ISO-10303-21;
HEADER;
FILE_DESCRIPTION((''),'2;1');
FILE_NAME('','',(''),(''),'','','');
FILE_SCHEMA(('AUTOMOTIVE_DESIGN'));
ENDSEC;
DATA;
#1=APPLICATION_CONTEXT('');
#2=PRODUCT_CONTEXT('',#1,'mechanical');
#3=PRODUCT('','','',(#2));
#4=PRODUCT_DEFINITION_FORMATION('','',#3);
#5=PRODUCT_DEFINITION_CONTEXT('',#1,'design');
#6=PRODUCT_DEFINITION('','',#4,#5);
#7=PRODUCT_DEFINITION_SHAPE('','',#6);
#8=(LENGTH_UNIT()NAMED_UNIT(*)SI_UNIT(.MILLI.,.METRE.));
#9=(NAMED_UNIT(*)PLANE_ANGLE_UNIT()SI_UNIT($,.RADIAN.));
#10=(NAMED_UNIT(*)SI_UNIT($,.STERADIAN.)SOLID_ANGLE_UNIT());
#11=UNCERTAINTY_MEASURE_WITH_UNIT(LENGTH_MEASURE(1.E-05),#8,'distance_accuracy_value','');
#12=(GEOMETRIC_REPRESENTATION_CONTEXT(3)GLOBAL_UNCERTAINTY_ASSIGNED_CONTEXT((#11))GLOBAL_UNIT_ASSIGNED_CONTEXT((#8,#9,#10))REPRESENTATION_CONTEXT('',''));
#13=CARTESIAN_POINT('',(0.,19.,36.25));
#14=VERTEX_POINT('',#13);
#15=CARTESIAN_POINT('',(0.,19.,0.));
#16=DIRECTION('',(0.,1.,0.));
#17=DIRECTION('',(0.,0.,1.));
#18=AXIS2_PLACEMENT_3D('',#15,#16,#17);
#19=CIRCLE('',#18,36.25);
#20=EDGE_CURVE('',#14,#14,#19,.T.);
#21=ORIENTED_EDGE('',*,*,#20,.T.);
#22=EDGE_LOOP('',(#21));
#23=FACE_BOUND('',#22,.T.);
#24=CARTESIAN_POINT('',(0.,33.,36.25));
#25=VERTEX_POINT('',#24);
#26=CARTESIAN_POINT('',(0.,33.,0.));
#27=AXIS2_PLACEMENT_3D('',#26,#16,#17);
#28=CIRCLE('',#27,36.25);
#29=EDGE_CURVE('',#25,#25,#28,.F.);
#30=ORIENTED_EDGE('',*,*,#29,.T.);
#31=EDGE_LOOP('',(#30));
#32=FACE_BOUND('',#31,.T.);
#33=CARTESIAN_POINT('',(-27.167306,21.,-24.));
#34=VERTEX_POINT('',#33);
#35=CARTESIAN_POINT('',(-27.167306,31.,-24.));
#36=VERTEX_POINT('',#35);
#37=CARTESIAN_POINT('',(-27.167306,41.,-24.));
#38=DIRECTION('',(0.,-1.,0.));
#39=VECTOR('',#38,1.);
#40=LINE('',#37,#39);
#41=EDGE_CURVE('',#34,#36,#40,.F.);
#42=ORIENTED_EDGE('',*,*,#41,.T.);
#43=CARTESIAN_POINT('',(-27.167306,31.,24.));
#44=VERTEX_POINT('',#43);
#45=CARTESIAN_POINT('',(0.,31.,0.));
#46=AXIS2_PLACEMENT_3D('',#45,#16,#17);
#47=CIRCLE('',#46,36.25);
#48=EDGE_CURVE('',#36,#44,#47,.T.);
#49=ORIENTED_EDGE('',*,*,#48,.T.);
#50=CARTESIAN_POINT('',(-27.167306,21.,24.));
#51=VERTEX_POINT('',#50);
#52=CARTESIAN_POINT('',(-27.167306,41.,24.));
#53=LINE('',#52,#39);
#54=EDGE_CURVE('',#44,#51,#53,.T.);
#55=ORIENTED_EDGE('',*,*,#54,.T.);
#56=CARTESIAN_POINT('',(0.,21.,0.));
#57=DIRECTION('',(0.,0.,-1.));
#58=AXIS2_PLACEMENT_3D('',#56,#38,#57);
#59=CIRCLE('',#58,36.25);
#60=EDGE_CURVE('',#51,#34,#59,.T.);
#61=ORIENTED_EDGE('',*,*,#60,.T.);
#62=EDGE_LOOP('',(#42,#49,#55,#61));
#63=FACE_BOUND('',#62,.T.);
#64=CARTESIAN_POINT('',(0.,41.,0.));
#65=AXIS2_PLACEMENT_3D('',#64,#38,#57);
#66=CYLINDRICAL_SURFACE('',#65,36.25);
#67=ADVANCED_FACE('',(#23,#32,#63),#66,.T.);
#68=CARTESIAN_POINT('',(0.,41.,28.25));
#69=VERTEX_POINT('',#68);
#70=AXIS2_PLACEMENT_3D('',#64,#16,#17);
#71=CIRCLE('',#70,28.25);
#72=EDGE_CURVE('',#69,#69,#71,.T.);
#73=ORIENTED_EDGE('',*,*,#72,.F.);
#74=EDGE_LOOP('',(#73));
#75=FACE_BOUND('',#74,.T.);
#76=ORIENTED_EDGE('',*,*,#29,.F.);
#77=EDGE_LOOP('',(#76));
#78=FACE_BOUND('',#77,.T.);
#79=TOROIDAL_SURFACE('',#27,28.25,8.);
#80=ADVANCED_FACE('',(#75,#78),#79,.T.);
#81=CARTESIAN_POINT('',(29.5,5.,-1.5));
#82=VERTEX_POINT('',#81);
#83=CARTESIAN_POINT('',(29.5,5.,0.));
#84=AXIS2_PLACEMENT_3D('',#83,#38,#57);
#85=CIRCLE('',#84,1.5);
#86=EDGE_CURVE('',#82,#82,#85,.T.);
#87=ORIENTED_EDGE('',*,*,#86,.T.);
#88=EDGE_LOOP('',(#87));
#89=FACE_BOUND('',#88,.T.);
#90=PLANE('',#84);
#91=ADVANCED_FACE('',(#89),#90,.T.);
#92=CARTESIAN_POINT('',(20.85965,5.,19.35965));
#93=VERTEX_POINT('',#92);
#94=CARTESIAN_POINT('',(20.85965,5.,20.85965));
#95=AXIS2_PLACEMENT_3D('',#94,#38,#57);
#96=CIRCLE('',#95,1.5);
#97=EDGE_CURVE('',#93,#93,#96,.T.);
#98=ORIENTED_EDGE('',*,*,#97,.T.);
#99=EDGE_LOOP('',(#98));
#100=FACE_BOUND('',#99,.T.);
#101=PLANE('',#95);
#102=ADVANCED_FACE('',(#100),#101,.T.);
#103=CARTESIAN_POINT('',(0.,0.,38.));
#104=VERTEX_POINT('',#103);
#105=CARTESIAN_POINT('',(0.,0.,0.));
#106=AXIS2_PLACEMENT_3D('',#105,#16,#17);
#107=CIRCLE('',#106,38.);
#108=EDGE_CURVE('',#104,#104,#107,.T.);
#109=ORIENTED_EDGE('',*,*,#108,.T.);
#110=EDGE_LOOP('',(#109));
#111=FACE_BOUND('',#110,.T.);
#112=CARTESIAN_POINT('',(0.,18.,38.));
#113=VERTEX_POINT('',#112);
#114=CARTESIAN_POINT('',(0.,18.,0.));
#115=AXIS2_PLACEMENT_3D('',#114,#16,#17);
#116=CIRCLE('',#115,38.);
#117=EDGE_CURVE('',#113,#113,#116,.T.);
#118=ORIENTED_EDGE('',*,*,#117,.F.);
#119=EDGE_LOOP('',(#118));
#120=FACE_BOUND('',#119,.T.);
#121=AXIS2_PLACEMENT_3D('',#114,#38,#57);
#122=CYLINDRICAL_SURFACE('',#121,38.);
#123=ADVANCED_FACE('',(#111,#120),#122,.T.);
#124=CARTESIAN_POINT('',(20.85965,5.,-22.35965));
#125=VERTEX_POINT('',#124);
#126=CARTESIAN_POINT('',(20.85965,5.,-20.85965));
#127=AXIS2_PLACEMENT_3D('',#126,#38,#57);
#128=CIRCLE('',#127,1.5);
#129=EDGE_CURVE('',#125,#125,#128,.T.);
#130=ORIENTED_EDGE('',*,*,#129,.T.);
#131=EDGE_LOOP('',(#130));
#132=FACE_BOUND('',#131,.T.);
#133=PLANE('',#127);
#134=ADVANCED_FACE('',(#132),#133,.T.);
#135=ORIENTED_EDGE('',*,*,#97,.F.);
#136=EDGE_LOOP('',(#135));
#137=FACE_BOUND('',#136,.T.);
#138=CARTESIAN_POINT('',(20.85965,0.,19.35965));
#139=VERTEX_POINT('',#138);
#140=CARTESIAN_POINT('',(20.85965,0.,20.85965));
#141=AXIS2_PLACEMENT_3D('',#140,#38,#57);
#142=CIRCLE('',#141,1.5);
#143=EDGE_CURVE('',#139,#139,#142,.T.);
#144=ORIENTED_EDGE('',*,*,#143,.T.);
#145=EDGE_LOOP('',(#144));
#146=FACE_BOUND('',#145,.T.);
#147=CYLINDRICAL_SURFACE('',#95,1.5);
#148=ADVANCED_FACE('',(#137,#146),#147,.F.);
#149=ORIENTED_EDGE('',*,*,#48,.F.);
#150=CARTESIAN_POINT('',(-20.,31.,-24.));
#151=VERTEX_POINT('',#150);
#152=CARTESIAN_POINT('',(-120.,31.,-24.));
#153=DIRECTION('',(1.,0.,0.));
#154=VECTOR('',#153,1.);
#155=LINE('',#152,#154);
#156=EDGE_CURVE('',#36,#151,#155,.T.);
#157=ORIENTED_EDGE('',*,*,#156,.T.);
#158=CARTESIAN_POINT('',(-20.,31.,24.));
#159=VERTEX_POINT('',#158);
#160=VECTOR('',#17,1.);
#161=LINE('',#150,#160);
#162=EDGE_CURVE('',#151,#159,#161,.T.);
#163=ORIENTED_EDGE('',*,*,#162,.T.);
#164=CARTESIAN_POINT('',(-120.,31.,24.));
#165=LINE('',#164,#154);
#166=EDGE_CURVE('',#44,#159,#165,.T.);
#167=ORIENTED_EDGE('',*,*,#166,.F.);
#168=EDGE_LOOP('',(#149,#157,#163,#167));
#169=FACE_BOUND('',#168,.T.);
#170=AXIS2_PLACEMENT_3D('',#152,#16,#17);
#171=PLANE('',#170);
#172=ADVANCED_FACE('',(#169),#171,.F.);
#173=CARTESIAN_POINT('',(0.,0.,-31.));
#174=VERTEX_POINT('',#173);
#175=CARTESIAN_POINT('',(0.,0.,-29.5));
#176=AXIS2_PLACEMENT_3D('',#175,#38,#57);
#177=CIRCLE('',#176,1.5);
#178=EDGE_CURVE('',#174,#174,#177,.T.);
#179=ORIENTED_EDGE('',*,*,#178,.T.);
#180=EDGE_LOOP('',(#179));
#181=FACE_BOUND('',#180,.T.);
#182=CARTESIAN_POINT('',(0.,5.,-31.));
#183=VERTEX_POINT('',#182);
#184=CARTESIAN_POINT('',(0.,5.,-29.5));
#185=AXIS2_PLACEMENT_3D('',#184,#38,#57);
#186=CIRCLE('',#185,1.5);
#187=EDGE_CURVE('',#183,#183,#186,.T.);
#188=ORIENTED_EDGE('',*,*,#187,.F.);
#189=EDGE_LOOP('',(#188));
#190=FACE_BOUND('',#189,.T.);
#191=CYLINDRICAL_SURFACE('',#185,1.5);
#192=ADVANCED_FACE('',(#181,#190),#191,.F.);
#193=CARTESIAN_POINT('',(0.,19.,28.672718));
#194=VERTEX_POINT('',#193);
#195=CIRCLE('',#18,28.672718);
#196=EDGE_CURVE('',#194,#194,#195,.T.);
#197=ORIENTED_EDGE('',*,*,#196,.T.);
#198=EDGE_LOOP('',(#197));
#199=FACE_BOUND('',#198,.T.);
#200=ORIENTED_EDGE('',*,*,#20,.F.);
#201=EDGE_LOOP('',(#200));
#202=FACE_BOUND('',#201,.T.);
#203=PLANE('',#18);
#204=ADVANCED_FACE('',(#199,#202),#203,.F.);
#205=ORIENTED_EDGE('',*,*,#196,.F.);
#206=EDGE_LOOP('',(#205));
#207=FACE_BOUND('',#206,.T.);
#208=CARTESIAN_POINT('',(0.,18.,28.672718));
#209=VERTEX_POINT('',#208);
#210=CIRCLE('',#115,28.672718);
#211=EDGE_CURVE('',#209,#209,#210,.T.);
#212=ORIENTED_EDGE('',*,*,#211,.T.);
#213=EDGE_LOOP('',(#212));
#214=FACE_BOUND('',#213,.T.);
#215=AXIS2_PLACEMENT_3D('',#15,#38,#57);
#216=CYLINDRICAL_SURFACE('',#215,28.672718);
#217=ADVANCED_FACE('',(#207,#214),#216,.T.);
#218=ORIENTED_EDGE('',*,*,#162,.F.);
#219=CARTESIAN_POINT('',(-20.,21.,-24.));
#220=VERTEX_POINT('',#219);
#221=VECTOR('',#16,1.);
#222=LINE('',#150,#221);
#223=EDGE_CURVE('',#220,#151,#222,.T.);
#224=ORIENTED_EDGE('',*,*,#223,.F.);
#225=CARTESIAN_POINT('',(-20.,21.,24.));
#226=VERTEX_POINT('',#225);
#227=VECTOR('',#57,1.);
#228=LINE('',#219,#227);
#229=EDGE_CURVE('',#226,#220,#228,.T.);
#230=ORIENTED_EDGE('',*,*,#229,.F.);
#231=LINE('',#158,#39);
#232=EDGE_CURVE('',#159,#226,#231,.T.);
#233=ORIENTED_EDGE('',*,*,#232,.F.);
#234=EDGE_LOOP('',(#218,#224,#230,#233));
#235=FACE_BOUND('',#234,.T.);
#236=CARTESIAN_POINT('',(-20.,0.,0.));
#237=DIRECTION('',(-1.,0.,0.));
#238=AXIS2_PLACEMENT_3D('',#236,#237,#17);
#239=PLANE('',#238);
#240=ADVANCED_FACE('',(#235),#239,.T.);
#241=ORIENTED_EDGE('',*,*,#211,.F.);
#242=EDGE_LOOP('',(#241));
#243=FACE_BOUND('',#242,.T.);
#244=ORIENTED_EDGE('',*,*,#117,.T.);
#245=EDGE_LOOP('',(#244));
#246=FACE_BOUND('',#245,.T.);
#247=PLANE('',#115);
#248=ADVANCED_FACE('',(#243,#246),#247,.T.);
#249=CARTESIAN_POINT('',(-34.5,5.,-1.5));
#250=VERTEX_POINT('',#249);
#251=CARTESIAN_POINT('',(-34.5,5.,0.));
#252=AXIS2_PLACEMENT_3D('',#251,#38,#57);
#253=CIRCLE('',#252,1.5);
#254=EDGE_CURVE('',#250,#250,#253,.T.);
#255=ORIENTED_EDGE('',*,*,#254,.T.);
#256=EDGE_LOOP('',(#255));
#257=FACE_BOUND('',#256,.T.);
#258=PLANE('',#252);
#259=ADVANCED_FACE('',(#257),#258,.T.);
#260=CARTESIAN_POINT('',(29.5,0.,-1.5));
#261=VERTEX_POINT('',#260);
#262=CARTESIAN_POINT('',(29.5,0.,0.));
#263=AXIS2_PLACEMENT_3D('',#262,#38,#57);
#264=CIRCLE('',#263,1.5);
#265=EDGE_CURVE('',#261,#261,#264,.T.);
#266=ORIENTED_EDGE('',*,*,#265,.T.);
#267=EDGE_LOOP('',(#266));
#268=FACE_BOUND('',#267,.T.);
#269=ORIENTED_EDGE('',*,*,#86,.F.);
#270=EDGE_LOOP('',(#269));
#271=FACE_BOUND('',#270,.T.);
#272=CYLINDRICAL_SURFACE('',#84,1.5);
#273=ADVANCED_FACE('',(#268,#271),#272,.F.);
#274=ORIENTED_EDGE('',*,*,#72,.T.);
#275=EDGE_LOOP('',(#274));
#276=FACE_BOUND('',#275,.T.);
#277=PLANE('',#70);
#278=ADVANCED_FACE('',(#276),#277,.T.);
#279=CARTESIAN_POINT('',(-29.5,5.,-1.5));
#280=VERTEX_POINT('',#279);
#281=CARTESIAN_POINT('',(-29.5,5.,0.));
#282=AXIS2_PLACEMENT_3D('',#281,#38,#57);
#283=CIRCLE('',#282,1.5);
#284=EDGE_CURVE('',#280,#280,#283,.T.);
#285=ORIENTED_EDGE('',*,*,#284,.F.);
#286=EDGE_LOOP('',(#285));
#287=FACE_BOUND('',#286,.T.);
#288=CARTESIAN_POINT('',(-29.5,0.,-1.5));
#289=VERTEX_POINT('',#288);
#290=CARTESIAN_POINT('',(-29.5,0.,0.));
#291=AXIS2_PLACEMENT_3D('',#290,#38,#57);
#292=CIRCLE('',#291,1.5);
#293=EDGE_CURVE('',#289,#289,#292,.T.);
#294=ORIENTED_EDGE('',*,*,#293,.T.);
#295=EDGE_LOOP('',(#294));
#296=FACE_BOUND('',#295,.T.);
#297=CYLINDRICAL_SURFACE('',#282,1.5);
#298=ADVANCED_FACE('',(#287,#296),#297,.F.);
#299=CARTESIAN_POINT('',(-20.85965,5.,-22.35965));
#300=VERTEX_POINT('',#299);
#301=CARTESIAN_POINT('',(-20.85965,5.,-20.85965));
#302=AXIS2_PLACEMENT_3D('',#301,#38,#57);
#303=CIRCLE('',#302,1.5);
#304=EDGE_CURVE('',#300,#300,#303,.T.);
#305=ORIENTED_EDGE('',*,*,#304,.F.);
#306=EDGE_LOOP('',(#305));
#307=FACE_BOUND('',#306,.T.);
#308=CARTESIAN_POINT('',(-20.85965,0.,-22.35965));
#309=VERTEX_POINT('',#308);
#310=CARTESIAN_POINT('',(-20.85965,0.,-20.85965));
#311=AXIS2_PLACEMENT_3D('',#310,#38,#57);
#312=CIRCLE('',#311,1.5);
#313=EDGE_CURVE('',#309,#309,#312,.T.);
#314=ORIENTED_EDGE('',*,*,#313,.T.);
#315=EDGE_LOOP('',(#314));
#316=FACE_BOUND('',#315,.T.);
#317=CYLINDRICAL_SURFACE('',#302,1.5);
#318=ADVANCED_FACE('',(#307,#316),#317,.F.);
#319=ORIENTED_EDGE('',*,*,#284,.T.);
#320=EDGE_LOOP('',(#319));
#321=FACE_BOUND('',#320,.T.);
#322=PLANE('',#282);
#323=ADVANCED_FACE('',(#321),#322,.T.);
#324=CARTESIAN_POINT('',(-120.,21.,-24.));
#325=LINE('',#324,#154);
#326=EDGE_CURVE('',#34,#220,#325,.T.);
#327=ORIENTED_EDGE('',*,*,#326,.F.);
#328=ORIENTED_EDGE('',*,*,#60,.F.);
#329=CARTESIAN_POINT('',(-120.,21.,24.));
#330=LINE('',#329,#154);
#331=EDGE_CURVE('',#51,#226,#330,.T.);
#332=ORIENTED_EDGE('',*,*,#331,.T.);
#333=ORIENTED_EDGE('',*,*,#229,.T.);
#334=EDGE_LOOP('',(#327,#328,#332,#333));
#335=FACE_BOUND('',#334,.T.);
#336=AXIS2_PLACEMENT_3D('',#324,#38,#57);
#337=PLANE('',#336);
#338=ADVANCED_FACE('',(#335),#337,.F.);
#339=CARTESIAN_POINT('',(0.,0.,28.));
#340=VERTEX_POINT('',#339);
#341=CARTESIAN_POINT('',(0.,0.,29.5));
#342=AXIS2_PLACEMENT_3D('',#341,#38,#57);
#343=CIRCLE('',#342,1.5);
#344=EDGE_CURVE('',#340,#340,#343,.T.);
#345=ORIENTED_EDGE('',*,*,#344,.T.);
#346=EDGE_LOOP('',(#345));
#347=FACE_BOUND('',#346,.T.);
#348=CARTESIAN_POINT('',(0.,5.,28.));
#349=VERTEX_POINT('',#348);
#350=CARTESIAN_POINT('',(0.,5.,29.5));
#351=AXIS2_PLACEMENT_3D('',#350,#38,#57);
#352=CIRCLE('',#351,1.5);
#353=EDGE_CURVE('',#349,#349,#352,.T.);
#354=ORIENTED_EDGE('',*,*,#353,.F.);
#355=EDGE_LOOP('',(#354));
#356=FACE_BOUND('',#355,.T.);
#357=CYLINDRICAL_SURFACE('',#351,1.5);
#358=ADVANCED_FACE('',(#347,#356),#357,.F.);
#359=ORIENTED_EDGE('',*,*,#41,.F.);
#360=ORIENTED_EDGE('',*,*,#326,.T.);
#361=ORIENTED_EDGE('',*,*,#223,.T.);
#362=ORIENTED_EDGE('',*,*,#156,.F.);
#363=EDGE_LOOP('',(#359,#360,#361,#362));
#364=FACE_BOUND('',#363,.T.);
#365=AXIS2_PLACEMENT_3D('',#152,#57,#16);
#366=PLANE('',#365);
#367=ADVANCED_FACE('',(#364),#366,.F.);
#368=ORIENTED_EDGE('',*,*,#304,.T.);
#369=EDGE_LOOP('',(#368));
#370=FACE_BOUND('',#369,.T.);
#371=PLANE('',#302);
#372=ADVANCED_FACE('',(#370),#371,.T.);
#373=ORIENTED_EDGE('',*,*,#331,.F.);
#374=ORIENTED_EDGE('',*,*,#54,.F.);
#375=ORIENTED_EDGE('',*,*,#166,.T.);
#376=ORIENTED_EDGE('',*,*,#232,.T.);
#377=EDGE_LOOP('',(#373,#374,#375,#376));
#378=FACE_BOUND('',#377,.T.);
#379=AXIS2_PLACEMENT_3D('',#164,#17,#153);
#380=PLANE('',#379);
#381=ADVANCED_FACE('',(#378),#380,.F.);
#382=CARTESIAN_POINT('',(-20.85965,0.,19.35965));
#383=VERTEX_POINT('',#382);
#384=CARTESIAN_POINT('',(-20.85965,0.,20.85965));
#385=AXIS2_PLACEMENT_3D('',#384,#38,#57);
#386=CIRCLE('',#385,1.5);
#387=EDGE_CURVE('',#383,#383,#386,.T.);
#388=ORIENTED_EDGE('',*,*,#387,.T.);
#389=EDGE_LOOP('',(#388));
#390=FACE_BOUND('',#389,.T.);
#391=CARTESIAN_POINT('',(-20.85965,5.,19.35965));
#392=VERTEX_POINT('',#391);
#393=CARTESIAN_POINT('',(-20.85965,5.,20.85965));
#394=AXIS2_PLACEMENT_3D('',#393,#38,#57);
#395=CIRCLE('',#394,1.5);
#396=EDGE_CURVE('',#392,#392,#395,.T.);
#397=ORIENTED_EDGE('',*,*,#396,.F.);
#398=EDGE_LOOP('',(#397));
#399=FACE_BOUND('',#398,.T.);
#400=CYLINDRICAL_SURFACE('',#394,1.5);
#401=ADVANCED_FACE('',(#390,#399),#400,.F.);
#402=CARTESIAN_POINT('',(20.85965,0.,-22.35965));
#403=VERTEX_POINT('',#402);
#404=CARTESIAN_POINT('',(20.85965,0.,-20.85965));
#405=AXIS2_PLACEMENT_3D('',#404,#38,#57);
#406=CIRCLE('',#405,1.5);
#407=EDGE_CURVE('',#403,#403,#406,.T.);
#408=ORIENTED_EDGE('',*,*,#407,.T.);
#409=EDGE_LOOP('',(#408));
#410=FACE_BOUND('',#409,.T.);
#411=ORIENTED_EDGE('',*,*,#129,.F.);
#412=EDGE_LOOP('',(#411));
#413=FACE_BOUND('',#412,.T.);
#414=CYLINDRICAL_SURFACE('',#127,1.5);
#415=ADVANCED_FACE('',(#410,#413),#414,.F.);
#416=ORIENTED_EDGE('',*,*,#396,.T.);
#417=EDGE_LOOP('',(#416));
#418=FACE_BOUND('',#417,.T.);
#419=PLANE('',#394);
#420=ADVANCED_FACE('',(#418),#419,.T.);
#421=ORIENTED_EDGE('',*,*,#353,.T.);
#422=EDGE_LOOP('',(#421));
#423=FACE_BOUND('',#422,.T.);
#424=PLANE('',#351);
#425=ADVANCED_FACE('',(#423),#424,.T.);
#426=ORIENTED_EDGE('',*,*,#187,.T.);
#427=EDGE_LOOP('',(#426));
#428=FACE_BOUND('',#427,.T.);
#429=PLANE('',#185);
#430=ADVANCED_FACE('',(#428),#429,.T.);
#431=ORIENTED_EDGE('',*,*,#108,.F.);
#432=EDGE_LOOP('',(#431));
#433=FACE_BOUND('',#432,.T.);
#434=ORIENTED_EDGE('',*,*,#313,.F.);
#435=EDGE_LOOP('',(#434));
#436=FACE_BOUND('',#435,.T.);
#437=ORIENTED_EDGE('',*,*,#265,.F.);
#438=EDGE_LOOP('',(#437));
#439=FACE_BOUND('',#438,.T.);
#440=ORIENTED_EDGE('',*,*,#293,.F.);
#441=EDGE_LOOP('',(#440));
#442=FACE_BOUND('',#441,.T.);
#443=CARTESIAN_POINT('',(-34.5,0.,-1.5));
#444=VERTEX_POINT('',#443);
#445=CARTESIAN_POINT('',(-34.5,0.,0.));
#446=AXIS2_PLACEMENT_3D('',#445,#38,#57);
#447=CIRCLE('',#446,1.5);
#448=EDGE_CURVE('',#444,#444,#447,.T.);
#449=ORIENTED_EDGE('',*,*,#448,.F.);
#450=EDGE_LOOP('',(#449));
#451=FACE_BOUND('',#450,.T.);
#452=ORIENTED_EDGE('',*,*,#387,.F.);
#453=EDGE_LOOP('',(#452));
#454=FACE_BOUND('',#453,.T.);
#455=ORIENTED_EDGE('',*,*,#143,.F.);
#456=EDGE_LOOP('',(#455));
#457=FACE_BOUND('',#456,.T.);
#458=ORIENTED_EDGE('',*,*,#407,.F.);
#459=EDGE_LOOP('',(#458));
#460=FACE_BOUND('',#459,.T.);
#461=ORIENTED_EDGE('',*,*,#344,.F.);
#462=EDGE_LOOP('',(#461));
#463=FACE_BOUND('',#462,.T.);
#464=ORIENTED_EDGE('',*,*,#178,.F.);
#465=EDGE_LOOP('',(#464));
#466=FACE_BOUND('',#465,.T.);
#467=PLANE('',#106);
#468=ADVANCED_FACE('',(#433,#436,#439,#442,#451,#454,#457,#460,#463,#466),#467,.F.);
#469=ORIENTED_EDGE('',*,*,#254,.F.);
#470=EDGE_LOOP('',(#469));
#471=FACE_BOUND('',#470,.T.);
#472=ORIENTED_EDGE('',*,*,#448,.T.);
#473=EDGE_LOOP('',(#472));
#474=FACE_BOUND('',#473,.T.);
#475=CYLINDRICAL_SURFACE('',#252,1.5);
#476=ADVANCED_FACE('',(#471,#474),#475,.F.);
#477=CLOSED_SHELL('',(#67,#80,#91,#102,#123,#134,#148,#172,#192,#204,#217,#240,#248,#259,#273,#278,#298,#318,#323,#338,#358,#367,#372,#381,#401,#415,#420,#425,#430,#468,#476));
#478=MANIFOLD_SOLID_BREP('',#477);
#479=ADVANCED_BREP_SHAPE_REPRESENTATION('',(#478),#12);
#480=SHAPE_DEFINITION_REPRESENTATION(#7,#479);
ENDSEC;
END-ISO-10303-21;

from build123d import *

# Parameters (mm, degrees)
SKETCH_1_R          = 38
EXTRUDE_1_DEPTH     = 18
SKETCH_2_R          = 28.672717561
EXTRUDE_2_DEPTH     = 1
SKETCH_3_R          = 36.25
EXTRUDE_3_DEPTH     = 22
FILLET_1_R          = 8
SKETCH_4_R          = 1.5
CUT_EXTRUDE_1_DEPTH = 5
CUT_EXTRUDE_START   = -20
SKETCH_5_W          = 48
SKETCH_5_H          = 10
CUT_EXTRUDE_2_DEPTH = 100


with BuildPart() as part:
    # 草图1 → 凸台-拉伸1 (new body)
    with BuildSketch(Plane(origin=(0, 0, 0), x_dir=(1, 0, 0), z_dir=(0, 1, 0))):
        with Locations(Location((0, 0, 0), (0, 0, 270))):
            Circle(SKETCH_1_R)
    extrude(amount=EXTRUDE_1_DEPTH)

    # 草图2 → 凸台-拉伸2 (add)
    with BuildSketch(Plane(origin=(0, 18, 0), x_dir=(1, 0, 0), z_dir=(0, 1, 0))):
        with Locations(Location((0, 0, 0), (0, 0, 270))):
            Circle(SKETCH_2_R)
    extrude(amount=EXTRUDE_2_DEPTH)

    # 草图3 → 凸台-拉伸3 (add)
    with BuildSketch(Plane(origin=(0, 19, 0), x_dir=(1, 0, 0), z_dir=(0, 1, 0))):
        with Locations(Location((0, 0, 0), (0, 0, 270))):
            Circle(SKETCH_3_R)
    extrude(amount=EXTRUDE_3_DEPTH)

    # 圆角1
    fillet_1_edges = [part.edges().sort_by_distance(p)[0] for p in [
        (0, 41, -36.25),
    ]]
    fillet(fillet_1_edges, radius=FILLET_1_R)

    # 草图4 → 切除-拉伸1 (cut)
    with BuildSketch(Plane.XZ):
        with Locations(Location((-29.5, 0, 0), (0, 0, 270))):
            Circle(SKETCH_4_R)
        with Locations(Location((-20.859650045, 20.859650045, 0), (0, 0, 270))):
            Circle(SKETCH_4_R)
        with Locations(Location((0, 29.5, 0), (0, 0, 270))):
            Circle(SKETCH_4_R)
        with Locations(Location((20.859650045, 20.859650045, 0), (0, 0, 270))):
            Circle(SKETCH_4_R)
        with Locations(Location((-34.5, 0, 0), (0, 0, 270))):
            Circle(SKETCH_4_R)
        with Locations(Location((29.5, 0, 0), (0, 0, 270))):
            Circle(SKETCH_4_R)
        with Locations(Location((20.859650045, -20.859650045, 0), (0, 0, 270))):
            Circle(SKETCH_4_R)
        with Locations(Location((0, -29.5, 0), (0, 0, 270))):
            Circle(SKETCH_4_R)
        with Locations(Location((-20.859650045, -20.859650045, 0), (0, 0, 270))):
            Circle(SKETCH_4_R)
    extrude(amount=-CUT_EXTRUDE_1_DEPTH, mode=Mode.SUBTRACT)

    # 草图5 → 切除-拉伸2 (cut)
    with BuildSketch(Plane(origin=(0, 0, 0), x_dir=(0, 0, -1), z_dir=(1, 0, 0)).offset(CUT_EXTRUDE_START)):
        with Locations((0, 26)):
            Rectangle(SKETCH_5_W, SKETCH_5_H)
    extrude(amount=-CUT_EXTRUDE_2_DEPTH, mode=Mode.SUBTRACT)


solid = part.part
